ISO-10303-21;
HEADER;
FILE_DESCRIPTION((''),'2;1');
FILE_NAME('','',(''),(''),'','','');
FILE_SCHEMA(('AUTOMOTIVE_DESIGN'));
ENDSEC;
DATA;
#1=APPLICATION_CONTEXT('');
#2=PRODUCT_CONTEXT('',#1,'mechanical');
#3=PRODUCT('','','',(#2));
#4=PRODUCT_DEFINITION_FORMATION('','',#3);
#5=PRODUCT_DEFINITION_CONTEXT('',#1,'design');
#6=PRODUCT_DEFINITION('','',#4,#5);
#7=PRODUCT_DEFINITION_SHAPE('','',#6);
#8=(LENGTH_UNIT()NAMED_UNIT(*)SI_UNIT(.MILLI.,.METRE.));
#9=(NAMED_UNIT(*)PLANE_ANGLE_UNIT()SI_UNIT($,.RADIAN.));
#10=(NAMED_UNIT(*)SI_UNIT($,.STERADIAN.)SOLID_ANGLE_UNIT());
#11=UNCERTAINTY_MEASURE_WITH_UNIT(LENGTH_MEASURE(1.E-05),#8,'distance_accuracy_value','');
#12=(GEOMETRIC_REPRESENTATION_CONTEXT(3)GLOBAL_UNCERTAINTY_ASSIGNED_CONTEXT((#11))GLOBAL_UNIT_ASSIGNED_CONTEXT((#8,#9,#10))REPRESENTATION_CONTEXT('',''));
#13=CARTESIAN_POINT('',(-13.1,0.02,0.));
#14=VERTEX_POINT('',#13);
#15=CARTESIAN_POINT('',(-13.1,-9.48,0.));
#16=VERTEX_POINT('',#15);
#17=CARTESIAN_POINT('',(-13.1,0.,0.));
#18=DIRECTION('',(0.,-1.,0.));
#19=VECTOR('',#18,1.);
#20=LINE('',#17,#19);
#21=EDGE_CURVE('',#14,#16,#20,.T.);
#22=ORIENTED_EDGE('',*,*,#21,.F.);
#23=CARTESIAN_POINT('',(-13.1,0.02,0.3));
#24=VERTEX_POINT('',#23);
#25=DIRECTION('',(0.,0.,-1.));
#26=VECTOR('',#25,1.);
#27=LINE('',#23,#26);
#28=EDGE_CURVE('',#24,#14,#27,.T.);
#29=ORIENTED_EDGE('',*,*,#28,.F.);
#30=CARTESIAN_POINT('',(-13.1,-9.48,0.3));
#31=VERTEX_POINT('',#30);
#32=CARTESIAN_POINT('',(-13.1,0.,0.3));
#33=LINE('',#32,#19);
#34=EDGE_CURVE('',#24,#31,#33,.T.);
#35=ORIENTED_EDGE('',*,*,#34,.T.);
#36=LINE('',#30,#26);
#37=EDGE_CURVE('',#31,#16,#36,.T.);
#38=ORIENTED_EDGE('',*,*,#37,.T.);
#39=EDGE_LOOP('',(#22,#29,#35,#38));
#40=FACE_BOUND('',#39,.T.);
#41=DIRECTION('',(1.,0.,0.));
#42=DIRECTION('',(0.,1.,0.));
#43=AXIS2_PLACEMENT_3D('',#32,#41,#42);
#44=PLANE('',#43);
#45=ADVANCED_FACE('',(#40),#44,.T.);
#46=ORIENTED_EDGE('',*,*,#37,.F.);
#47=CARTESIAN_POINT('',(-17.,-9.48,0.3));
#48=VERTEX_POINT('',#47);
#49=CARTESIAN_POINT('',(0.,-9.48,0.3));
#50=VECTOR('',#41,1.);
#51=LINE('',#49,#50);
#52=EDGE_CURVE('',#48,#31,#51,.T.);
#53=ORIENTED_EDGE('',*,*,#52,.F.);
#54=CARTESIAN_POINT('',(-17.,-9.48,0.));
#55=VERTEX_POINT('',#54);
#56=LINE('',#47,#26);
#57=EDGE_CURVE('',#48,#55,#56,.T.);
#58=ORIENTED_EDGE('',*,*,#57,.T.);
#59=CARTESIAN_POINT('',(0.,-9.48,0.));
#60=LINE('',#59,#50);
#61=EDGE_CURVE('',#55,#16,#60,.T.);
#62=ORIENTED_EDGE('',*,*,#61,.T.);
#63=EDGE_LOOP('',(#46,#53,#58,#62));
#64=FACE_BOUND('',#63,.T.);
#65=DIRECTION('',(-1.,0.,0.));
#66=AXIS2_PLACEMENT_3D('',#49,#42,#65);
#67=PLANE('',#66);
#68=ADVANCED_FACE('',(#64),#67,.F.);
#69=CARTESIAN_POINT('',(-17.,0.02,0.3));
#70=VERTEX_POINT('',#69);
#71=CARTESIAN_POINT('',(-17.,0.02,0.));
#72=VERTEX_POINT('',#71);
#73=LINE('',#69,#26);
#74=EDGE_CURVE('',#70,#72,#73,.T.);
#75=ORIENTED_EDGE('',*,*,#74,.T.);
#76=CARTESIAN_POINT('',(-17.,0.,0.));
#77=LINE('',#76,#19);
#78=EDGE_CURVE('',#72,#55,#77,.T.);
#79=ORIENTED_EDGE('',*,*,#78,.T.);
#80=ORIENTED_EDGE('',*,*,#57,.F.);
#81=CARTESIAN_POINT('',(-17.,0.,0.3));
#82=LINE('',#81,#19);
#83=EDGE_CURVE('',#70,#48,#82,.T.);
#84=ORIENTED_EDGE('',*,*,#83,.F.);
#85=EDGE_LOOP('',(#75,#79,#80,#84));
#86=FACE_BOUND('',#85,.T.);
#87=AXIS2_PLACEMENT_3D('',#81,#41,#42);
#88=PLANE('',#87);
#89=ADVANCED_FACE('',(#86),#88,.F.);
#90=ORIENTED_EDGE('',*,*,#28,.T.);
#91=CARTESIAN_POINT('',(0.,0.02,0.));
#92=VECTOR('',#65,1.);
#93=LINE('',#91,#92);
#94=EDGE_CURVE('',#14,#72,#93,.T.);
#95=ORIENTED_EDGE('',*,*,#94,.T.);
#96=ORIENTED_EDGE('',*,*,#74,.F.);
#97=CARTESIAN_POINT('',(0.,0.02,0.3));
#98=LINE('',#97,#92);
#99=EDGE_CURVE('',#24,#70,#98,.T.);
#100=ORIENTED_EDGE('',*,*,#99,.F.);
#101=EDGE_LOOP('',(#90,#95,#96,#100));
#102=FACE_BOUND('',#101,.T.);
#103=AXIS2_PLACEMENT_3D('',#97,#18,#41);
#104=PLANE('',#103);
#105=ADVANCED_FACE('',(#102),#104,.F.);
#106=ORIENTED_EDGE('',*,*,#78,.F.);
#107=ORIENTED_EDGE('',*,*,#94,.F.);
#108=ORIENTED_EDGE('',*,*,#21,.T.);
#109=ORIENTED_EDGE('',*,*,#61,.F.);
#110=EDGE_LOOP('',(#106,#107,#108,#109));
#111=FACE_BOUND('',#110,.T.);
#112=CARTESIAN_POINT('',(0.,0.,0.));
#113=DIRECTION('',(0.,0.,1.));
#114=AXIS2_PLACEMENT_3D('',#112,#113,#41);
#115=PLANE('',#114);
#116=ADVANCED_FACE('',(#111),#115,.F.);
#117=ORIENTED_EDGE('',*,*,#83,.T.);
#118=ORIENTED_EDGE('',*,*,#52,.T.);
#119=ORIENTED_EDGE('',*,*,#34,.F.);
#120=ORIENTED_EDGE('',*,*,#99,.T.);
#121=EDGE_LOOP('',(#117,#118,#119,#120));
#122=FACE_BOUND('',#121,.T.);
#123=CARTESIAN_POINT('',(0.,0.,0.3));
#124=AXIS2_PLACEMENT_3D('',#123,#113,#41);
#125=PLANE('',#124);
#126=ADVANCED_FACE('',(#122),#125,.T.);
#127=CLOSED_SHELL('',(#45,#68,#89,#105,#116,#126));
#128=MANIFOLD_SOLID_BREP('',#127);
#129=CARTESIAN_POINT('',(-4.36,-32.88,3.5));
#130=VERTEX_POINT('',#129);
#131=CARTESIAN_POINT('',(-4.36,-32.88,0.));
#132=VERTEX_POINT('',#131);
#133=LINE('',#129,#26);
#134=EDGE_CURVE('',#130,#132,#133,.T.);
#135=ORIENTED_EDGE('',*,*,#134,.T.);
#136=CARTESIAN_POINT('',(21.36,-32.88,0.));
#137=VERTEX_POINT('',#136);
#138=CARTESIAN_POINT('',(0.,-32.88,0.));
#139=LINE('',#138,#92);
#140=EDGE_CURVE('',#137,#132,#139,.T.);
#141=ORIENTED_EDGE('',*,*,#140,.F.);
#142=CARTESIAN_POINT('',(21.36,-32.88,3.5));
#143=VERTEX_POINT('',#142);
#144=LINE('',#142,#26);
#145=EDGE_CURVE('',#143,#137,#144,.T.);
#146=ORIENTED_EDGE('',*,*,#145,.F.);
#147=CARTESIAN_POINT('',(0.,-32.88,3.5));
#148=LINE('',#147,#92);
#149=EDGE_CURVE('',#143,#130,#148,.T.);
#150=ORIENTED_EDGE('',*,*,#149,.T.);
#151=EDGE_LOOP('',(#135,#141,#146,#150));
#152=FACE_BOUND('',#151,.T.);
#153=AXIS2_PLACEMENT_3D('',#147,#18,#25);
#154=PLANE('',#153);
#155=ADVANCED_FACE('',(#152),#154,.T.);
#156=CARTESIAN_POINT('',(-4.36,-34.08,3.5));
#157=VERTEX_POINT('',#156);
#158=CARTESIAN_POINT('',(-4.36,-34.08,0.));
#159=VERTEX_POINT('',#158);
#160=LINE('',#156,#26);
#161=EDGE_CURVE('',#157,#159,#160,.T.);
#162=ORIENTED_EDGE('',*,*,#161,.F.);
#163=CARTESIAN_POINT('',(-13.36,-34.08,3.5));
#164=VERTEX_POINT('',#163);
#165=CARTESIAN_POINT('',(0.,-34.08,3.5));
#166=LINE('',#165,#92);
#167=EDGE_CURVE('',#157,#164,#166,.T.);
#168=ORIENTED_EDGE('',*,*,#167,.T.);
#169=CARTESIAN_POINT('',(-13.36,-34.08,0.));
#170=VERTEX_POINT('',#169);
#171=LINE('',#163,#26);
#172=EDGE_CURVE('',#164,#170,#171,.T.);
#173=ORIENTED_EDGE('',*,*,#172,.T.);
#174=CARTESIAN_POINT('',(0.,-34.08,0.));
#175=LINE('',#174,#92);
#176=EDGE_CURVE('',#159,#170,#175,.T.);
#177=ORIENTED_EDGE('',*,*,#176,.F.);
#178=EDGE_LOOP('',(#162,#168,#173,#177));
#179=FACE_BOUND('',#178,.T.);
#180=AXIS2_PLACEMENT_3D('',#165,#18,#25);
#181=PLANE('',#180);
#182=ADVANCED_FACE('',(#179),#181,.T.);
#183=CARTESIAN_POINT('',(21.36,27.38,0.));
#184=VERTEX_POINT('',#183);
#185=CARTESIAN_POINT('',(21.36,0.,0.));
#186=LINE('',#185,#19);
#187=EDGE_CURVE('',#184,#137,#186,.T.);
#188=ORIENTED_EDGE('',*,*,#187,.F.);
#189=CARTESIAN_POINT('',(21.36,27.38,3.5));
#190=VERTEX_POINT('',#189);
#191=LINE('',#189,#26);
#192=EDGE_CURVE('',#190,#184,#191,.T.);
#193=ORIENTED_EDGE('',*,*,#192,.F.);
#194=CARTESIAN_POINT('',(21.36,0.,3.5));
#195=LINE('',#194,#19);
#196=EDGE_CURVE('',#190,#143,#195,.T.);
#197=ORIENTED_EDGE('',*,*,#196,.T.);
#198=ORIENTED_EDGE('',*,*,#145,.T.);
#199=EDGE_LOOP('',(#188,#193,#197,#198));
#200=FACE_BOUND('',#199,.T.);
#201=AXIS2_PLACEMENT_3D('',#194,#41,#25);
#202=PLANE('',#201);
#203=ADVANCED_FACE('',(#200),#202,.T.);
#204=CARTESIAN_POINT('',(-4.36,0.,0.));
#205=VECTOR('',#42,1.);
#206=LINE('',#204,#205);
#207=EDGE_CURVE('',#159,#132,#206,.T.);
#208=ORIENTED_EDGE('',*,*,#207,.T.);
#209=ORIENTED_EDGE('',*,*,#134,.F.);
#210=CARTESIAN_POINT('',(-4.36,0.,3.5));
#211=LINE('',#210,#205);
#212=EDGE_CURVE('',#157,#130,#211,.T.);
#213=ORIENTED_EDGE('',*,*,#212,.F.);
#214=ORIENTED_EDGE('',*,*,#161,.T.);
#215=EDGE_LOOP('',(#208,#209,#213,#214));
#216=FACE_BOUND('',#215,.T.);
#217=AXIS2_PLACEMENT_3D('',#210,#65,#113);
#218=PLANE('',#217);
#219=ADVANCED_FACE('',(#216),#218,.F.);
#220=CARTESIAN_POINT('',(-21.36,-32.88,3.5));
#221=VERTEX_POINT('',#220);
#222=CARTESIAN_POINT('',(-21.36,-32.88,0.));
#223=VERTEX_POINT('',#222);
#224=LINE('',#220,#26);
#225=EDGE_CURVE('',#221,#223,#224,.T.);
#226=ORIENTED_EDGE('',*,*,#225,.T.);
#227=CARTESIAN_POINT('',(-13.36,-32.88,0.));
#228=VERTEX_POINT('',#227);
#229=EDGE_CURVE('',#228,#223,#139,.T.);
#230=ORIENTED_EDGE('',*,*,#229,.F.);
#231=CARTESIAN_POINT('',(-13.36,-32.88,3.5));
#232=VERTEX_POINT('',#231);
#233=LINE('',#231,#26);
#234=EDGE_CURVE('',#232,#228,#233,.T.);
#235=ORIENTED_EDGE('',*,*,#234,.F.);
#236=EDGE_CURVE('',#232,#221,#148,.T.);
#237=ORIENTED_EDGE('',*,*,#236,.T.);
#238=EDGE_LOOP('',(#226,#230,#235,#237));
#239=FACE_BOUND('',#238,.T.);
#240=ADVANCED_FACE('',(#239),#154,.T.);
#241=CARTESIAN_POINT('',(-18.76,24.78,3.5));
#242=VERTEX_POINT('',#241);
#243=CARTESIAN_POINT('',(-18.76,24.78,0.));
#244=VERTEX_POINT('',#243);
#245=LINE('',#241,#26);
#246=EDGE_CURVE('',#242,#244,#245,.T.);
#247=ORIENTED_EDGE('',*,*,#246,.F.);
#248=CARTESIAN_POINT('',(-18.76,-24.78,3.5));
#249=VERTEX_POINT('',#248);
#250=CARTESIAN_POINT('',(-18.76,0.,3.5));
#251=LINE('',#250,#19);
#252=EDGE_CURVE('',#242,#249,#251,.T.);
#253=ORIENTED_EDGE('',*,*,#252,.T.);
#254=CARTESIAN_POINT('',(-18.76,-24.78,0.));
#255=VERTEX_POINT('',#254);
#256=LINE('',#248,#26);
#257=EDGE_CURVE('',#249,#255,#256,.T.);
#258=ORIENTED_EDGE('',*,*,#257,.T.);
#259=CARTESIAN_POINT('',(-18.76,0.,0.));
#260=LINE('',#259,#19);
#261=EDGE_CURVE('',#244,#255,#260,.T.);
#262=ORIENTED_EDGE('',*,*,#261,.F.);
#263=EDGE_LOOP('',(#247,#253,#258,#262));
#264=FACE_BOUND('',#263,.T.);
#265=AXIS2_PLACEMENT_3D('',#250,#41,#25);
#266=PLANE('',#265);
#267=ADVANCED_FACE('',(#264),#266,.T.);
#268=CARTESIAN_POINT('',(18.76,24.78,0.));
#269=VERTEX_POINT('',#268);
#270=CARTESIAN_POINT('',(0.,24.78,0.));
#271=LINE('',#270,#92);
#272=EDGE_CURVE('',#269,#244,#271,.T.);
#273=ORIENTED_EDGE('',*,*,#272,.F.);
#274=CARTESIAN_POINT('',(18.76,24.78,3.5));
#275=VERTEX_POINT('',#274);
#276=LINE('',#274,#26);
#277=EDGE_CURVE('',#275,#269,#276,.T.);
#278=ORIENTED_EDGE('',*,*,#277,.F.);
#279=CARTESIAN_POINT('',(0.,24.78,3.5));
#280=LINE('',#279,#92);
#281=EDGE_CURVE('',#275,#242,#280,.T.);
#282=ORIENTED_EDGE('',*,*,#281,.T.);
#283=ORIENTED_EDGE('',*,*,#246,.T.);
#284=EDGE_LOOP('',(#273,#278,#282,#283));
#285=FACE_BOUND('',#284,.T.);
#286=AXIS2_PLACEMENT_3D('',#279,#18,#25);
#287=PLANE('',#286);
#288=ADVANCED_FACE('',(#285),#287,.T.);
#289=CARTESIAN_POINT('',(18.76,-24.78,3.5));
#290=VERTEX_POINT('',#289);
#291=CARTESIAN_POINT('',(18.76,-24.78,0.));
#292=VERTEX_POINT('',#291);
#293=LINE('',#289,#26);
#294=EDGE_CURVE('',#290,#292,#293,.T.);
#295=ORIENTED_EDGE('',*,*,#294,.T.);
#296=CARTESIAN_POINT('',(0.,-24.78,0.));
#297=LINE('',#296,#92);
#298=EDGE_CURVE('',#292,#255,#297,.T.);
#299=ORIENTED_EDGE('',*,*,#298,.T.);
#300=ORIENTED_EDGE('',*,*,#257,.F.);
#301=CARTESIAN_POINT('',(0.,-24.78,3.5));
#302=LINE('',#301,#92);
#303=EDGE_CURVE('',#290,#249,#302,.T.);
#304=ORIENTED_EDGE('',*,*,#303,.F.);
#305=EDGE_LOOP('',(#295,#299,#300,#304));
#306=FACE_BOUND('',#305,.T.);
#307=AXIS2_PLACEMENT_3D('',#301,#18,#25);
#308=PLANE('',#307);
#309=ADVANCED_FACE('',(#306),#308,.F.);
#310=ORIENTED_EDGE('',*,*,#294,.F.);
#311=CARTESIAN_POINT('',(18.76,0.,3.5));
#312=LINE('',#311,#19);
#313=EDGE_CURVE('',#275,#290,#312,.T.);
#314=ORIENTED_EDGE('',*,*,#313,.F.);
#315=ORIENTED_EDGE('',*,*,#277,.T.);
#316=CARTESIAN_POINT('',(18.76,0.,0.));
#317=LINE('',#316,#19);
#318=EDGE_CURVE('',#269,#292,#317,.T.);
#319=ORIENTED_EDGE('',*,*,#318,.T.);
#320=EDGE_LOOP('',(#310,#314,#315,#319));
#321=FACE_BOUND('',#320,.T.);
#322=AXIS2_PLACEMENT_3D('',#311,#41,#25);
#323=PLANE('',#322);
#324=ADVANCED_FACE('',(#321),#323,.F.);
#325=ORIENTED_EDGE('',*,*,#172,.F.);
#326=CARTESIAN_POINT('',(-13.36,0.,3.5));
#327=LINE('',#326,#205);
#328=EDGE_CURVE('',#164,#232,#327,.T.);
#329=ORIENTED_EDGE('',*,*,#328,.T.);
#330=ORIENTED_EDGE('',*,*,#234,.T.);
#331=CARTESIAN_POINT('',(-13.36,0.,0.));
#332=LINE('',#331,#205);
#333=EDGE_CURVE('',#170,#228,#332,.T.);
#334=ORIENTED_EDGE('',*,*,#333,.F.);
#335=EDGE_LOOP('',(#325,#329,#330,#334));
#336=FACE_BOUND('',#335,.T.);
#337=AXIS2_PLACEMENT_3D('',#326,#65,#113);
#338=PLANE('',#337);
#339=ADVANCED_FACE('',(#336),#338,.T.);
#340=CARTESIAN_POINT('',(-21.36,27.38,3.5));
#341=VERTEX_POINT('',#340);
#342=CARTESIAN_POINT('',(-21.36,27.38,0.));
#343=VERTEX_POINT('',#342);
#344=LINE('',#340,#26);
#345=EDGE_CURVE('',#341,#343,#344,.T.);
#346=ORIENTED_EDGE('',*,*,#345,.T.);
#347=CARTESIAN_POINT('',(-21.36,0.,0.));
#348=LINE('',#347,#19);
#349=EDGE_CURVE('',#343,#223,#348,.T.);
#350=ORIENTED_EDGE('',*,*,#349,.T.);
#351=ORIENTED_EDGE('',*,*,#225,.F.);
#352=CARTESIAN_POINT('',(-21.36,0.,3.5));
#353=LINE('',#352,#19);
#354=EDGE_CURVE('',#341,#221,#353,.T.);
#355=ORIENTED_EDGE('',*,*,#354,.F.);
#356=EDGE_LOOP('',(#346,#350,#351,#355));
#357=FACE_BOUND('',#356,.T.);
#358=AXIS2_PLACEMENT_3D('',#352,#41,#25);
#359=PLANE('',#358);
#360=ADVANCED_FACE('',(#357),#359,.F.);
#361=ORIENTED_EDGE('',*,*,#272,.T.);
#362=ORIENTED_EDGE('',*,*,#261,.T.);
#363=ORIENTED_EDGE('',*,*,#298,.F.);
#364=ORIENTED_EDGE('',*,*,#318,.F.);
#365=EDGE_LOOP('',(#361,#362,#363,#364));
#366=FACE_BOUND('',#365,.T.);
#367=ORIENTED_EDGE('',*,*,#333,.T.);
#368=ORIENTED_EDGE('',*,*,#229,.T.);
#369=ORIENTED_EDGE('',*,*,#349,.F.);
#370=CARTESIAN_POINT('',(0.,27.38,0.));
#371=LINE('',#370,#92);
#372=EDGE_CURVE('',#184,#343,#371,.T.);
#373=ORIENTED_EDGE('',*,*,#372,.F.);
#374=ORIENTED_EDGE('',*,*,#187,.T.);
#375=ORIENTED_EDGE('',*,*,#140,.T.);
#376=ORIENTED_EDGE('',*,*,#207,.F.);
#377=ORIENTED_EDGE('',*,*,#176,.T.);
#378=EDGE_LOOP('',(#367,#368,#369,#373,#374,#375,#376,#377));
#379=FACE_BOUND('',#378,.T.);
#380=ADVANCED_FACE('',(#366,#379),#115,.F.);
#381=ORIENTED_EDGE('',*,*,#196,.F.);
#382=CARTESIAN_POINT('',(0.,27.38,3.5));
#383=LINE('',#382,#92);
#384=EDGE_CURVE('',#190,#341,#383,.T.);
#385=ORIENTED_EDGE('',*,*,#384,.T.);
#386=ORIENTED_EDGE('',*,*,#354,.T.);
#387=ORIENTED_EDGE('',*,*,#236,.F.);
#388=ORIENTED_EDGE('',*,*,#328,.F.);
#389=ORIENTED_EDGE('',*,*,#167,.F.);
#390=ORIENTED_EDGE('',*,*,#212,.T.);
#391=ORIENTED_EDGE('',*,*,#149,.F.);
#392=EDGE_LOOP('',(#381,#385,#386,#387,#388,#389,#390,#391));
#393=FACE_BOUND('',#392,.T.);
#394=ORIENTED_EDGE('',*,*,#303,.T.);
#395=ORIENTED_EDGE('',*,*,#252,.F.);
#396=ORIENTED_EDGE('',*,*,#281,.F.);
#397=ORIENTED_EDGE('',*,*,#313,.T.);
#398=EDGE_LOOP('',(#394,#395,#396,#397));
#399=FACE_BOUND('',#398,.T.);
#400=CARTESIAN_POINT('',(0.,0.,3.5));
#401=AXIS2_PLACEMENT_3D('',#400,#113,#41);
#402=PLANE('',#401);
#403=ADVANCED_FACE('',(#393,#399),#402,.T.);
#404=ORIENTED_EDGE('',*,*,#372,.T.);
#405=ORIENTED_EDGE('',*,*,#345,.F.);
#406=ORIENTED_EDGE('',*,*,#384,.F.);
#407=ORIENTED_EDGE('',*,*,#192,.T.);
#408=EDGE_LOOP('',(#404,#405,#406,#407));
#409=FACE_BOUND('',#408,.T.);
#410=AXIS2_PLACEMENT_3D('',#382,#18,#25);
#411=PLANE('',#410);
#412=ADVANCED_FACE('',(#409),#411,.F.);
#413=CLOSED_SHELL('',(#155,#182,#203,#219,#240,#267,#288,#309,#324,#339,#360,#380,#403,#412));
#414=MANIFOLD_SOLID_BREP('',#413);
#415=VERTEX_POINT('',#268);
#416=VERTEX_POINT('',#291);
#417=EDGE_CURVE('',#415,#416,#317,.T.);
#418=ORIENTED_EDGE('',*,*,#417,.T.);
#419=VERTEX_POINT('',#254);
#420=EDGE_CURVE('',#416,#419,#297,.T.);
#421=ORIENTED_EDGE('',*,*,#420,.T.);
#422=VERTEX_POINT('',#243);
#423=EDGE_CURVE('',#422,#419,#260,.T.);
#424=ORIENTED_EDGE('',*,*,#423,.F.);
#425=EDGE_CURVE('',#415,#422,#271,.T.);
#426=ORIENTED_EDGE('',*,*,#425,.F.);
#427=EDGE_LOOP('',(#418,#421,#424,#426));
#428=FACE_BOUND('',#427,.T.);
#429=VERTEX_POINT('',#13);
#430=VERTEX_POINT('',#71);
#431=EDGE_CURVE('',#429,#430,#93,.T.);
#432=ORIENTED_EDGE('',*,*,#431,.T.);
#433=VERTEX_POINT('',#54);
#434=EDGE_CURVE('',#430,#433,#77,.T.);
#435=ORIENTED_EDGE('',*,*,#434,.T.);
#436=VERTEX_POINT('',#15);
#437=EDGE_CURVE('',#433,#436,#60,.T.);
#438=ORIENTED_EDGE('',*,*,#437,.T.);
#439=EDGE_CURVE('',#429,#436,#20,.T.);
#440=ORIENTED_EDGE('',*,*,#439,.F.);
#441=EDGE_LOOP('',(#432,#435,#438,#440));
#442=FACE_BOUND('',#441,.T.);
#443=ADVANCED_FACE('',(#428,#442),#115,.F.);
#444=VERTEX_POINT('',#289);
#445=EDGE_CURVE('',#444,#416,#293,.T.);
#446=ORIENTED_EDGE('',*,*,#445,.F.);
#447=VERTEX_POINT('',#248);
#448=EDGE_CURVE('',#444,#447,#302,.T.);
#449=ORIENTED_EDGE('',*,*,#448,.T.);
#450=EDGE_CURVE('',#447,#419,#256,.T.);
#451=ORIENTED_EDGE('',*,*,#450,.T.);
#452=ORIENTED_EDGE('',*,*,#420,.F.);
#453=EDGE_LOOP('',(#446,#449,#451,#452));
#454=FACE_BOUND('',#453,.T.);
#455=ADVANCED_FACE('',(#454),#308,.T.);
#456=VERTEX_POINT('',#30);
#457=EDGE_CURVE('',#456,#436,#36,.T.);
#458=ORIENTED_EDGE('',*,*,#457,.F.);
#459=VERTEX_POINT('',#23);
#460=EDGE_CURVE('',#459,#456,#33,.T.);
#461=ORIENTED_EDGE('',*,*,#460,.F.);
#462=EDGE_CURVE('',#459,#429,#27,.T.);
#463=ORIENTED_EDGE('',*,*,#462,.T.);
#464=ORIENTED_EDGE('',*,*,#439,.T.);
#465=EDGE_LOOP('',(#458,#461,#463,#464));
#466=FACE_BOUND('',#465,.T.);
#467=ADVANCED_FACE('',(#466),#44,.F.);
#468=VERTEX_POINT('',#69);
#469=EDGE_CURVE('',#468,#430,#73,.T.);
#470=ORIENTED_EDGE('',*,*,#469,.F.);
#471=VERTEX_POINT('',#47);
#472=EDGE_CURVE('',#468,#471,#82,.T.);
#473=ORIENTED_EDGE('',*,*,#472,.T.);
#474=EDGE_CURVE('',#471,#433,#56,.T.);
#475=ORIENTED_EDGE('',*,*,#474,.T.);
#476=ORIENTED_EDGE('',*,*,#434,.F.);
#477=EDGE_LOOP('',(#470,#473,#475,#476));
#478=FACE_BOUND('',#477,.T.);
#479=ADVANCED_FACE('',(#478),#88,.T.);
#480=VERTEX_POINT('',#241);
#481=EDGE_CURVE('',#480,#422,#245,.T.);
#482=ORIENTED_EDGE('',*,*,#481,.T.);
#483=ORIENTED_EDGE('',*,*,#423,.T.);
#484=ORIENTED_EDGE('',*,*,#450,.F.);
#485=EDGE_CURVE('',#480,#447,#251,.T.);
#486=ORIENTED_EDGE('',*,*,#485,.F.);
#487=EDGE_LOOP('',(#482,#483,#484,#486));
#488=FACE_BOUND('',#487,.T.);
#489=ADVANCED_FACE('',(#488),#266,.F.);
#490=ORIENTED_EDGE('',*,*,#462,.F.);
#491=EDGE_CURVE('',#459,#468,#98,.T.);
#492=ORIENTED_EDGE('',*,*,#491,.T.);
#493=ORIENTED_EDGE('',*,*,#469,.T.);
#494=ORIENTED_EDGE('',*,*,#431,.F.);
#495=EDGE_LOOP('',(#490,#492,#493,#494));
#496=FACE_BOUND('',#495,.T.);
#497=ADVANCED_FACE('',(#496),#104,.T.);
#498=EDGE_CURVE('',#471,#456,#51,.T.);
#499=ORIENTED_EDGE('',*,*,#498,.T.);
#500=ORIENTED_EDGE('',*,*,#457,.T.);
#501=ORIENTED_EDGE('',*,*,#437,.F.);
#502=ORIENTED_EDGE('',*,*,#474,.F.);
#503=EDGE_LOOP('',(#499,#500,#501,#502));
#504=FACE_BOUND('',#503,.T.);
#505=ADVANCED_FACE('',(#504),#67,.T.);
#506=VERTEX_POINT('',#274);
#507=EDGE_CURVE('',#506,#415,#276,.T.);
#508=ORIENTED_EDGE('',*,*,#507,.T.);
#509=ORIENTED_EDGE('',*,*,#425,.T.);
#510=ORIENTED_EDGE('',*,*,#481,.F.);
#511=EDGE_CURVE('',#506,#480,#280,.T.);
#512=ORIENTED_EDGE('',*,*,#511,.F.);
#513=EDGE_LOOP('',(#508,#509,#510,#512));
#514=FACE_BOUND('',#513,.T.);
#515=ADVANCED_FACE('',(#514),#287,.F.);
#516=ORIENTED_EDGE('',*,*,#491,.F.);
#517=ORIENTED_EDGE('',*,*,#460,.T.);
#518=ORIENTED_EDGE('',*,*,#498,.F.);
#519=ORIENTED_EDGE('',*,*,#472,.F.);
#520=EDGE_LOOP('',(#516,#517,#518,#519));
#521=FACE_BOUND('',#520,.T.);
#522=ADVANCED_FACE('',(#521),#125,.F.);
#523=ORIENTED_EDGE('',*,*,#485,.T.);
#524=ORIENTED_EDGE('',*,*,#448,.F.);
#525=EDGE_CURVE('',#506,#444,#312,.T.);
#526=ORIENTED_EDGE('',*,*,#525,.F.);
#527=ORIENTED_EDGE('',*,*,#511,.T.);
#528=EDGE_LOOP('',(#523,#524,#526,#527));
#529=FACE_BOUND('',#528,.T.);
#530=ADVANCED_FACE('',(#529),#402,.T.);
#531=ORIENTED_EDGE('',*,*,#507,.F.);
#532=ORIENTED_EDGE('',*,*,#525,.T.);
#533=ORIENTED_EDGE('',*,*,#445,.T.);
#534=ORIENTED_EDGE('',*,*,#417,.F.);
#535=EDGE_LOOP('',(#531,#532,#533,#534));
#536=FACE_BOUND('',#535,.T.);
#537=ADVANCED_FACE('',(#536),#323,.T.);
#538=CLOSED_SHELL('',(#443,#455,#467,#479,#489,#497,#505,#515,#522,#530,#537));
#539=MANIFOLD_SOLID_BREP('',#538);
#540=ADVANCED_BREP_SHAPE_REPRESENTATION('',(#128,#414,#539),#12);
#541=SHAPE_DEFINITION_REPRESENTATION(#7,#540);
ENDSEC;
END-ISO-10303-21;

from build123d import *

# Parameters (mm, degrees)
MAIN_FEATURES_SKETCH_W   = 42.72
MAIN_FEATURES_SKETCH_H   = 60.26
MAIN_FEATURES_SKETCH_W_2 = 37.52
MAIN_FEATURES_SKETCH_H_2 = 49.56
MAIN_FEATURES_SKETCH_W_3 = 9
MAIN_FEATURES_SKETCH_H_3 = 1.2
BOSS_EXTRUDE1_DEPTH      = 3.5
SKETCH1_3_W              = 37.52
SKETCH1_3_H              = 49.56
SKETCH1_3_W_2            = 3.9
SKETCH1_3_H_2            = 9.5
BOSS_EXTRUDE2_DEPTH      = 3.5
MAIN_FEATURES_SKETCH_4_W = 3.9
MAIN_FEATURES_SKETCH_4_H = 9.5
CUT_EXTRUDE1_DEPTH       = 0.3
MAIN_FEATURES_SKETCH_5_W = 3.9
MAIN_FEATURES_SKETCH_5_H = 9.5
BOSS_EXTRUDE3_DEPTH      = 0.3


with BuildPart() as part:
    # main_features_sketch → Boss-Extrude1 (new body)
    with BuildSketch(Plane.XY):
        with Locations((0, -2.75)):
            Rectangle(MAIN_FEATURES_SKETCH_W, MAIN_FEATURES_SKETCH_H)
        Rectangle(MAIN_FEATURES_SKETCH_W_2, MAIN_FEATURES_SKETCH_H_2, mode=Mode.SUBTRACT)
        with Locations((-8.86, -33.48)):
            Rectangle(MAIN_FEATURES_SKETCH_W_3, MAIN_FEATURES_SKETCH_H_3)
    extrude(amount=BOSS_EXTRUDE1_DEPTH)


with BuildPart() as body_2:
    # Sketch1<3> → Boss-Extrude2 (new body)
    with BuildSketch(Plane.XY):
        Rectangle(SKETCH1_3_W, SKETCH1_3_H)
        with Locations((-15.05, -4.73)):
            Rectangle(SKETCH1_3_W_2, SKETCH1_3_H_2)
    extrude(amount=BOSS_EXTRUDE2_DEPTH)

    # main_features_sketch<4> → Cut-Extrude1 (cut)
    with BuildSketch(Plane.XY):
        with Locations((-15.05, -4.73)):
            Rectangle(MAIN_FEATURES_SKETCH_4_W, MAIN_FEATURES_SKETCH_4_H)
    extrude(amount=CUT_EXTRUDE1_DEPTH, mode=Mode.SUBTRACT)


with BuildPart() as body_3:
    # main_features_sketch<5> → Boss-Extrude3 (new body)
    with BuildSketch(Plane.XY):
        with Locations((-15.05, -4.73)):
            Rectangle(MAIN_FEATURES_SKETCH_5_W, MAIN_FEATURES_SKETCH_5_H)
    extrude(amount=BOSS_EXTRUDE3_DEPTH)


solid = Compound([part.part, body_2.part, body_3.part])
